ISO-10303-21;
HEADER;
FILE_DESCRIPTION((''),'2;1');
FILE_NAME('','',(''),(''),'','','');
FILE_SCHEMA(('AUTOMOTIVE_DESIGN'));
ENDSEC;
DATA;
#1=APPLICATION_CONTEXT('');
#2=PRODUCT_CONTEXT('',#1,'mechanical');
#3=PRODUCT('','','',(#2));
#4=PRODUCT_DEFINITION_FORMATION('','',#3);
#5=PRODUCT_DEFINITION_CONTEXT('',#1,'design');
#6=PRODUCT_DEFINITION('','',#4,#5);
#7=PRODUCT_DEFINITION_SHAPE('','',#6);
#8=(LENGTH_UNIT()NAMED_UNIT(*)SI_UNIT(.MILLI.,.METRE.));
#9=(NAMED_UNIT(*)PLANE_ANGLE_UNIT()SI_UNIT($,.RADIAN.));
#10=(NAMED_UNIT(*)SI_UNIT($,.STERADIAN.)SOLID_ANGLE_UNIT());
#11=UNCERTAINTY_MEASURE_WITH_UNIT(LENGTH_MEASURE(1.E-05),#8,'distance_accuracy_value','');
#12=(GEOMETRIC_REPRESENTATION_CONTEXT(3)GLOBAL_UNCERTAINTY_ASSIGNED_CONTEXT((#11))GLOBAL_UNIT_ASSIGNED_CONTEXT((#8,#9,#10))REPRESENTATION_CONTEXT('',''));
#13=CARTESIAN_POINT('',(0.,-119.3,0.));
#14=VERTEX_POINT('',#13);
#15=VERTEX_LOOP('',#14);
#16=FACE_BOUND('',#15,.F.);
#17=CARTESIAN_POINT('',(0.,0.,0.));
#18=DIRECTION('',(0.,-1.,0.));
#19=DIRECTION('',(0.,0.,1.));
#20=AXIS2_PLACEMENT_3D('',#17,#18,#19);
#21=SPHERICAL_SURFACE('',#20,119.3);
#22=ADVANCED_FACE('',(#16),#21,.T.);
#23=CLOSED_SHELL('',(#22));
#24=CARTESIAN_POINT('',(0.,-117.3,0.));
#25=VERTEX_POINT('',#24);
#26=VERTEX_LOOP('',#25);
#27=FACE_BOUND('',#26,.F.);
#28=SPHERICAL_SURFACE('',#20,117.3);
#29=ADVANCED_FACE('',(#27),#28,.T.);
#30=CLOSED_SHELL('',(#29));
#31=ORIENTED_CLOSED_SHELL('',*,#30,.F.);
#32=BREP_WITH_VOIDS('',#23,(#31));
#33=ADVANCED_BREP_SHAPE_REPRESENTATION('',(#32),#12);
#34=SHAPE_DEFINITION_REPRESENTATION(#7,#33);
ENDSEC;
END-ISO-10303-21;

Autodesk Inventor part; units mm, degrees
ref_plane "YZ Plane" through (0, 0, 0) normal (1, 0, 0) x (0, 1, 0)
ref_plane "XZ Plane" through (0, 0, 0) normal (0, 1, 0) x (-1, 0, 0)
ref_plane "XY Plane" through (0, 0, 0) normal (0, 0, 1) x (1, 0, 0)
sketch "Sketch1" plane through (0, 0, 0) normal (1, 0, 0) x (0, 1, 0)
  arc A0 (119.3, 0) -> (-119.3, 0) centre (0, 0) ccw
  arc A1 (117.3, 0) -> (-117.3, 0) centre (0, 0) ccw
  line L0 (0, 0) -> (117.3, 0)
  line L1 (0, 0) -> (-117.3, 0)
  line L2 (117.3, 0) -> (119.3, 0)
  line L3 (-117.3, 0) -> (-119.3, 0)
  dimension "d0" = 238.6
  dimension "d1" = 234.6
revolve "Revolution1" add sketch "Sketch1" angle 360 about axis through (0, 0, 0) along (0, 1, 0) contours L2 A1 L3 A0
properties part number "Sphere"
